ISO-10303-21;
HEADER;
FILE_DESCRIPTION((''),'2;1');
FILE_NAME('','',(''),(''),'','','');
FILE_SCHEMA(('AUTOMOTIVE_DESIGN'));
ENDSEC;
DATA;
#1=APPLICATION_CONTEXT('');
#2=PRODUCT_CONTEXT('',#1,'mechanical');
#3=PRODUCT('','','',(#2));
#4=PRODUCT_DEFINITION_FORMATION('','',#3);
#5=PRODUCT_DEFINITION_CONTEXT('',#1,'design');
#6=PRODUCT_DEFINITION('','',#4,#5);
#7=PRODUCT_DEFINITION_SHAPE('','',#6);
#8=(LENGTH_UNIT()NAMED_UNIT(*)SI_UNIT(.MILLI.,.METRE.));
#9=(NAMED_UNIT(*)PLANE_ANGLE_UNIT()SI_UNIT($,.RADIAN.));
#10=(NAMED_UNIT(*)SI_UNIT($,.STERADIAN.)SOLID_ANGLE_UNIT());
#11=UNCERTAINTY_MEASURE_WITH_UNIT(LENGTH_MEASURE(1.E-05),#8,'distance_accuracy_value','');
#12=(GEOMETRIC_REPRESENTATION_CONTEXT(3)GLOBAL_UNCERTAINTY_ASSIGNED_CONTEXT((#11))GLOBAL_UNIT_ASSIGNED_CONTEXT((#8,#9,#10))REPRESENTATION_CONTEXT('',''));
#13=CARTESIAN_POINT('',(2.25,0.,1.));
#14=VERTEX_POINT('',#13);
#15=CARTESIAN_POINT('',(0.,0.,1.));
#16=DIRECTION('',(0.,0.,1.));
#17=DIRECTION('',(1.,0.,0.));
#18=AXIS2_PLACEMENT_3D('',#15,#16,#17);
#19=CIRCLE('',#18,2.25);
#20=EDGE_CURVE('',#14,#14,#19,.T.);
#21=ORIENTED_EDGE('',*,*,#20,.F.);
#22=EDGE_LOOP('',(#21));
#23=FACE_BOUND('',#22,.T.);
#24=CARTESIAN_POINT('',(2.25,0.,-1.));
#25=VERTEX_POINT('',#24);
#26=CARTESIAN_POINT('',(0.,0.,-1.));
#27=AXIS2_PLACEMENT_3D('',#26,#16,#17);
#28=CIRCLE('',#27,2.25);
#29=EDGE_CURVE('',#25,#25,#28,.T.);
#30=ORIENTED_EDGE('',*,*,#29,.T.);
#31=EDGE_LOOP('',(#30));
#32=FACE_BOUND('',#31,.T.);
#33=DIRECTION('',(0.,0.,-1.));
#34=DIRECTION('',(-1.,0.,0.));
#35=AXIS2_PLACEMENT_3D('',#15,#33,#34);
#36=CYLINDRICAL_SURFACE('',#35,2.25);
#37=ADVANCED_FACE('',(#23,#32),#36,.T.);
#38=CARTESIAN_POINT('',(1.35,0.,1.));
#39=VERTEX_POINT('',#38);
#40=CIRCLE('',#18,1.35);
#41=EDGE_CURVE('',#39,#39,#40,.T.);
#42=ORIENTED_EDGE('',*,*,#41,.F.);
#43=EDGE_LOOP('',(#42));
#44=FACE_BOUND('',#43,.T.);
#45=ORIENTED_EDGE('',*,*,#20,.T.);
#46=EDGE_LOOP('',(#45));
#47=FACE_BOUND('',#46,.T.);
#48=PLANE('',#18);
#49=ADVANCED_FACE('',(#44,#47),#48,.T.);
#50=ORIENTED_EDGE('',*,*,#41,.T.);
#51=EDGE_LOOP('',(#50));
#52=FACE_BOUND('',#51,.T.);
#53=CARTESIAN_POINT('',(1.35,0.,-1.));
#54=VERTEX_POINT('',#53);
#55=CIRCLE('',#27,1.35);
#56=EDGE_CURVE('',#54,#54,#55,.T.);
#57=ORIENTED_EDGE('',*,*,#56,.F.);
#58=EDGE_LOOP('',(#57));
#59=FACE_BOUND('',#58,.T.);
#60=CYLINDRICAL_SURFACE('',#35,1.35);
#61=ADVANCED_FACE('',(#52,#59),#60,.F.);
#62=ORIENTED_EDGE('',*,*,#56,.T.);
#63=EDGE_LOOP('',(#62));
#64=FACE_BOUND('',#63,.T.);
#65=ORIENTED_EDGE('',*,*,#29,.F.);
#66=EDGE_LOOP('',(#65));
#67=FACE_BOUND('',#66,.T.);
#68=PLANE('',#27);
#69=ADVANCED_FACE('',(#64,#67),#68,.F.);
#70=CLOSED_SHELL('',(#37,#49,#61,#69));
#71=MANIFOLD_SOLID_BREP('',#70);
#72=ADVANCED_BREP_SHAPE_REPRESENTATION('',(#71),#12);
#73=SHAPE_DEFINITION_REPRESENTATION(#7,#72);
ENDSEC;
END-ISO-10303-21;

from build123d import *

# Parameters (mm, degrees)
SKETCH1_R      = 2.25
SKETCH1_R_2    = 1.35
EXTRUDE1_DEPTH = 1


with BuildPart() as part:
    # Sketch1 → Extrude1 (new body, symmetric)
    with BuildSketch(Plane.XY):
        Circle(SKETCH1_R)
        Circle(SKETCH1_R_2, mode=Mode.SUBTRACT)
    extrude(amount=EXTRUDE1_DEPTH, both=True)


solid = part.part
